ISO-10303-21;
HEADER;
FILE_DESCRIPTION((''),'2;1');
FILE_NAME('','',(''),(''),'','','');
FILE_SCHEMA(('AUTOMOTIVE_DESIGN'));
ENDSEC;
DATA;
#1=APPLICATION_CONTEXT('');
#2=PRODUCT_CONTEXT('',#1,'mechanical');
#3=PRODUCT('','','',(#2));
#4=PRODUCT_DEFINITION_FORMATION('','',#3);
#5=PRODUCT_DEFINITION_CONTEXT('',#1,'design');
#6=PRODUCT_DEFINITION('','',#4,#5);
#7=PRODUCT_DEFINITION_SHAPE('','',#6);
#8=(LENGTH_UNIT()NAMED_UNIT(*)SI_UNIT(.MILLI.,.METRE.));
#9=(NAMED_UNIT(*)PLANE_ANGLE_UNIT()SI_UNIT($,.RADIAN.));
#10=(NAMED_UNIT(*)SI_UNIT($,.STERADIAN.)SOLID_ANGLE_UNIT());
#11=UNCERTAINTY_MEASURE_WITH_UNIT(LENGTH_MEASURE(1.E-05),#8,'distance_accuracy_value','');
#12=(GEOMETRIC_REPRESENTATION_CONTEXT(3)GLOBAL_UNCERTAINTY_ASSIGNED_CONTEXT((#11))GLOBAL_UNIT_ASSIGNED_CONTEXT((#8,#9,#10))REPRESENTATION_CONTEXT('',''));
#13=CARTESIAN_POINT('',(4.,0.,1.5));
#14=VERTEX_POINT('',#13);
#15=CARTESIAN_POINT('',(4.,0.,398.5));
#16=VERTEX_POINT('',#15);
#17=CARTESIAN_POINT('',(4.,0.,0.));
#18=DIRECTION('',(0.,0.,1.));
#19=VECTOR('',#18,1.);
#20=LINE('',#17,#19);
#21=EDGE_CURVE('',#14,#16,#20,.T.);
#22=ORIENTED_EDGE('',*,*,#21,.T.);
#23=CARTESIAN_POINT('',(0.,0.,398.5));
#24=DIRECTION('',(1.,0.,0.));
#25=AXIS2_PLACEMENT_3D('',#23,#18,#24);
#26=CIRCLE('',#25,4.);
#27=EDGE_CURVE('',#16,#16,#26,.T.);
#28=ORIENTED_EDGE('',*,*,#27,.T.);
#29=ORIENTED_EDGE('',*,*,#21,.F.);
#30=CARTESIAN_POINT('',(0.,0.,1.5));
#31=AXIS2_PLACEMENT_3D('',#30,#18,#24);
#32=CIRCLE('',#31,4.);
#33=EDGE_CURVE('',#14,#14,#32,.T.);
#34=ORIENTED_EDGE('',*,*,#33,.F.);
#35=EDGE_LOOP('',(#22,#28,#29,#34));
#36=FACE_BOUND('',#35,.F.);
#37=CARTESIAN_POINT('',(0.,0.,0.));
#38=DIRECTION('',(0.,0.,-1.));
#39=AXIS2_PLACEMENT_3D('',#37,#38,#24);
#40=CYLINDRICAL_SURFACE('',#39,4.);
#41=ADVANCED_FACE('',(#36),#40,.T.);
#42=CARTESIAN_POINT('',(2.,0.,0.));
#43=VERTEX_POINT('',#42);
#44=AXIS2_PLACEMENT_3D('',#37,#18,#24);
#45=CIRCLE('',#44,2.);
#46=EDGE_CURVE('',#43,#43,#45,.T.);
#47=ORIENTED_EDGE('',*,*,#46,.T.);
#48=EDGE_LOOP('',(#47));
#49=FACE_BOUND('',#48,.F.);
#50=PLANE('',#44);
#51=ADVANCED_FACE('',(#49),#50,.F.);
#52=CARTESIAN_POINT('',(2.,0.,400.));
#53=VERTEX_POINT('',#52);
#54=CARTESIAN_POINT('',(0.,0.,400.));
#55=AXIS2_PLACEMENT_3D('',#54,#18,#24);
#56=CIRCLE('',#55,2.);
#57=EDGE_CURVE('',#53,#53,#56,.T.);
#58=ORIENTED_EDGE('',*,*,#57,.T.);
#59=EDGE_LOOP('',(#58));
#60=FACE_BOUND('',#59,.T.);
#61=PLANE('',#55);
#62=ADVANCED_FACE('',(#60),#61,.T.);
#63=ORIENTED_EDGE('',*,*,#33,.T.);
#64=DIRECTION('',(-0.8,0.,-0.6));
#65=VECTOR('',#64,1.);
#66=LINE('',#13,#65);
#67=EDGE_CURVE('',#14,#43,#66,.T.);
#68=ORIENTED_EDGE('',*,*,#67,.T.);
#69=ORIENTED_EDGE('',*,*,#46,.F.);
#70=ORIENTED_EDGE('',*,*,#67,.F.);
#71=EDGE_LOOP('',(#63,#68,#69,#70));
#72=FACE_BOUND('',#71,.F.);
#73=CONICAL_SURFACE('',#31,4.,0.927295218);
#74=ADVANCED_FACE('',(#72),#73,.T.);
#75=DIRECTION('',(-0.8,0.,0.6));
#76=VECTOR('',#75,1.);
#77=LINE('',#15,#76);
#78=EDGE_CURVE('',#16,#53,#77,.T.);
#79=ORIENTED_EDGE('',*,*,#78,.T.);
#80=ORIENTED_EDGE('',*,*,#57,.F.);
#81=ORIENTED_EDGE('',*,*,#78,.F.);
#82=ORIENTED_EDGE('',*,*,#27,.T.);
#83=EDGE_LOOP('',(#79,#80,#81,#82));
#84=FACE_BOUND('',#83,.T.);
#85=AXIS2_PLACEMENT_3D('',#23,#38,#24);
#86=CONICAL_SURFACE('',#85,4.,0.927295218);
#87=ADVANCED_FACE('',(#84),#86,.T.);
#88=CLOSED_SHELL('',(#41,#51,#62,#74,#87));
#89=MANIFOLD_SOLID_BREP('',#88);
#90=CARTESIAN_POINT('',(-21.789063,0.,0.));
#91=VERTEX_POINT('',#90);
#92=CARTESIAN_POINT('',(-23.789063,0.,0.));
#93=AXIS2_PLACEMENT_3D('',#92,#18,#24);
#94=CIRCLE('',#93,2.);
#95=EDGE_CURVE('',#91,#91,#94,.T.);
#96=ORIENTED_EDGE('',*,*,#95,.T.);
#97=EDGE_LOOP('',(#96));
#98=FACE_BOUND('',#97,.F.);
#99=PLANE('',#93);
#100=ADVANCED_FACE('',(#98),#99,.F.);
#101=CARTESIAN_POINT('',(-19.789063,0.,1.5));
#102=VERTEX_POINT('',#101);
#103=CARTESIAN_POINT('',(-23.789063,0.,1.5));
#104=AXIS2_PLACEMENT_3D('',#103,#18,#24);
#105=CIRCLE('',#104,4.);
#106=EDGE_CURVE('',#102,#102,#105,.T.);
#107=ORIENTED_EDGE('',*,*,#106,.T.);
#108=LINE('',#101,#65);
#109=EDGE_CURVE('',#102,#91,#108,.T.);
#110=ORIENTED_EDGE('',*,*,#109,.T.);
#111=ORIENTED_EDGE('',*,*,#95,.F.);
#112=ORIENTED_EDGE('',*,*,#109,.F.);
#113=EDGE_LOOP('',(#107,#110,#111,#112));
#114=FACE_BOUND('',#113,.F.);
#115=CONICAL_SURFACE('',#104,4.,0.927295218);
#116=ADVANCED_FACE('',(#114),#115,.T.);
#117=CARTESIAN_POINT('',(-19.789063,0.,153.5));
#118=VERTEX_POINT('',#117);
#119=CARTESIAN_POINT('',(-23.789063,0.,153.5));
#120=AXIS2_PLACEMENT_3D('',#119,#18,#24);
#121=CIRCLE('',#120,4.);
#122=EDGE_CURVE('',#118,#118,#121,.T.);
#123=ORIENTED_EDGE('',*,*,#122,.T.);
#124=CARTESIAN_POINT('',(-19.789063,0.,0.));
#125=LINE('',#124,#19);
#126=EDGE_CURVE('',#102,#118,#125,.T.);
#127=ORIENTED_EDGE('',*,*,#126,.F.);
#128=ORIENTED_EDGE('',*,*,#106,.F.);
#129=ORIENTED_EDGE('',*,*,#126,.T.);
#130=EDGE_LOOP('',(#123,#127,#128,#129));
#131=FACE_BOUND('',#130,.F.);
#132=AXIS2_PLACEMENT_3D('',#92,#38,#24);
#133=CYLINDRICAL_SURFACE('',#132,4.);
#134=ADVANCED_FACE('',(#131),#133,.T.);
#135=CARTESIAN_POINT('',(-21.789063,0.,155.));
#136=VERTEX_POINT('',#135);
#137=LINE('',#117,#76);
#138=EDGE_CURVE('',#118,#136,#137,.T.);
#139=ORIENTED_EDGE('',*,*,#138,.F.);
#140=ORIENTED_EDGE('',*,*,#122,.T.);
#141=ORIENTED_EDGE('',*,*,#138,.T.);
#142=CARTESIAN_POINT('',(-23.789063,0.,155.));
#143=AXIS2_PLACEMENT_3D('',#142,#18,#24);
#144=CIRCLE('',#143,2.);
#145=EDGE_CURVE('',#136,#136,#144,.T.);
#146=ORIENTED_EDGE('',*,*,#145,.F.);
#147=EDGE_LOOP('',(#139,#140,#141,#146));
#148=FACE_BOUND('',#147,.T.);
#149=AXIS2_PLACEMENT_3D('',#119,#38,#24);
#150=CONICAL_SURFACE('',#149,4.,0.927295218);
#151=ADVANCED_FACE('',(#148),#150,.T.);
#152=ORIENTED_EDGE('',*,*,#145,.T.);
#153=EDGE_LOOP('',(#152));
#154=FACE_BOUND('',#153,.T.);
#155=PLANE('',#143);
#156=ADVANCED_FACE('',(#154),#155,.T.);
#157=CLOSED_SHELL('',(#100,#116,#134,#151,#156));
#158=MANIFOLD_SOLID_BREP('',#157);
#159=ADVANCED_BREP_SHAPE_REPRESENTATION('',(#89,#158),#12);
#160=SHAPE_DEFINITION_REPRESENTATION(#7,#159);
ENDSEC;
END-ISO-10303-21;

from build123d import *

# Parameters (mm, degrees)
F0_R     = 4
F1_DEPTH = 400
F2_SIZE2 = 2
F2_SIZE  = 1.5
F3_DEPTH = 155
F4_SIZE2 = 2
F4_SIZE  = 1.5


with BuildPart() as f1:
    # F0 (on Top) → F1 (new body)
    with BuildSketch(Plane.XY):
        Circle(F0_R)
    extrude(amount=F1_DEPTH)

    # F2
    f2_edges = [f1.edges().sort_by_distance(p)[0] for p in [
        (-4, 0, 0),
        (-4, 0, 400),
    ]]
    chamfer(f2_edges, length=F2_SIZE, length2=F2_SIZE2)


with BuildPart() as f3:
    # F0 (on Top) → F3 (new body)
    with BuildSketch(Plane.XY):
        with Locations((-23.789063, 0)):
            Circle(F0_R)
    extrude(amount=F3_DEPTH)

    # F4
    f4_edges = [f3.edges().sort_by_distance(p)[0] for p in [
        (-27.789063, 0, 155),
        (-27.789063, 0, 0),
    ]]
    chamfer(f4_edges, length=F4_SIZE, length2=F4_SIZE2)


solid = Compound([f1.part, f3.part])
